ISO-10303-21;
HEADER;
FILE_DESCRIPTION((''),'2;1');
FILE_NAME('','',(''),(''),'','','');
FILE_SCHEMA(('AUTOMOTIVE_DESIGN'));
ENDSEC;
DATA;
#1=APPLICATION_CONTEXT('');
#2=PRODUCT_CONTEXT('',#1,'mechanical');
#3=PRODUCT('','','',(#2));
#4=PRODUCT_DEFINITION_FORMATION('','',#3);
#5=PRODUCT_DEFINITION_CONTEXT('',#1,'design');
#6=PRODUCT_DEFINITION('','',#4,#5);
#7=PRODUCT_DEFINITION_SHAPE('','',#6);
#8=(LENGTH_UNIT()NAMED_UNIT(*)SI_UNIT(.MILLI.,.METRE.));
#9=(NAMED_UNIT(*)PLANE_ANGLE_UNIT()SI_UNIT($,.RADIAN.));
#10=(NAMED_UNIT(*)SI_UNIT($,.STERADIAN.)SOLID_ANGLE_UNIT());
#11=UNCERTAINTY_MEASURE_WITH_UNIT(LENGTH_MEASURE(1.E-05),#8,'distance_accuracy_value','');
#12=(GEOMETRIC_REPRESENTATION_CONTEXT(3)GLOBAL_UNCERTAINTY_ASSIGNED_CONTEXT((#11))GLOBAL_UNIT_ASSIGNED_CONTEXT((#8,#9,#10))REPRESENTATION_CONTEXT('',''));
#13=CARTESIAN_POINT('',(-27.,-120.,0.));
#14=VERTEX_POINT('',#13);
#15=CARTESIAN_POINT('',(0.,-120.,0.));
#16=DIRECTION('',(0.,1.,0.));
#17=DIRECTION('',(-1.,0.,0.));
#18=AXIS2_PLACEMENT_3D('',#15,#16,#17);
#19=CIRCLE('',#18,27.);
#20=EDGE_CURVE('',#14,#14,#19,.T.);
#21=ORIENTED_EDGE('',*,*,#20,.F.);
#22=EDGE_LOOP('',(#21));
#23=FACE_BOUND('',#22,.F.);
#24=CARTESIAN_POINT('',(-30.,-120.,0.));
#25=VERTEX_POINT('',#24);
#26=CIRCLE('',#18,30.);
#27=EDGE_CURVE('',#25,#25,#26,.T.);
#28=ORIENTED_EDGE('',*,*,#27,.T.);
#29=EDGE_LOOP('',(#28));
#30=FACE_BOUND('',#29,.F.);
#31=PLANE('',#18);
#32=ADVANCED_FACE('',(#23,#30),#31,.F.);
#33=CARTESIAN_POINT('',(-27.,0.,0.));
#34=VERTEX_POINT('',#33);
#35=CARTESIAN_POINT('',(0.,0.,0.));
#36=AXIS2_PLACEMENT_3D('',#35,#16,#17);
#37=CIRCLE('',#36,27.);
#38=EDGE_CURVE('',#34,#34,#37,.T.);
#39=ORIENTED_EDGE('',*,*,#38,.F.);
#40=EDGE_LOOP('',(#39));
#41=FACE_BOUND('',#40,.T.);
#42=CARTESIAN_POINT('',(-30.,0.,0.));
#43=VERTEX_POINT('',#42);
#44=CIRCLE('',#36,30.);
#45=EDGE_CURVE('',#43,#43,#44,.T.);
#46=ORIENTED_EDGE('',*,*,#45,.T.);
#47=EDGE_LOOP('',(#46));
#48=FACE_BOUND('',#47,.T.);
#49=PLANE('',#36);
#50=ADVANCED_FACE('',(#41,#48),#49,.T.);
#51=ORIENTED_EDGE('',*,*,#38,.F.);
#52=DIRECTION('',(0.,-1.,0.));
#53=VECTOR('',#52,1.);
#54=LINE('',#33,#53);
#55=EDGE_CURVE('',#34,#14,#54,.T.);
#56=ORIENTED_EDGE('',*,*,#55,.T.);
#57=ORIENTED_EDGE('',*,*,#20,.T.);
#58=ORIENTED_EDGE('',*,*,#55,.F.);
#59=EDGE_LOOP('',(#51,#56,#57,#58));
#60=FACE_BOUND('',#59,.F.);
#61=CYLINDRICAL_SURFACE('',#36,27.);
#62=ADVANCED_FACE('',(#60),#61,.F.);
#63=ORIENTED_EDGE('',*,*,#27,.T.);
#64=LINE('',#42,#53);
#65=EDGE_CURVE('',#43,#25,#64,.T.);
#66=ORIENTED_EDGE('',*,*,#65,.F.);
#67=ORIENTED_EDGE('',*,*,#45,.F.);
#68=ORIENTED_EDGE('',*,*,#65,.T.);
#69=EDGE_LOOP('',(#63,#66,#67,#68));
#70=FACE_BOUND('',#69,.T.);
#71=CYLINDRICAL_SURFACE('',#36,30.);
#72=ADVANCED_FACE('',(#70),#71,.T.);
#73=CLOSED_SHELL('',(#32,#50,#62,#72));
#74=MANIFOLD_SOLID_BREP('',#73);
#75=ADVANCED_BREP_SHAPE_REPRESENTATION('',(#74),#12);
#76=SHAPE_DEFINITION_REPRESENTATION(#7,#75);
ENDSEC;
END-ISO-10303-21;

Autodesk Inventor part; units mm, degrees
ref_plane "YZ Plane" through (0, 0, 0) normal (1, 0, 0) x (0, 1, 0)
ref_plane "XZ Plane" through (0, 0, 0) normal (0, 1, 0) x (-1, 0, 0)
ref_plane "XY Plane" through (0, 0, 0) normal (0, 0, 1) x (1, 0, 0)
sketch "Sketch1" plane through (0, 0, 0) normal (0, 1, 0) x (-1, 0, 0)
  circle A0 centre (0, 0) radius 30
  circle A1 centre (0, 0) radius 27
  dimension "d0" = 60
  dimension "d1" = 3
extrude "Extrusion1" add sketch "Sketch1" against normal blind 120
properties part number "PNS 1733 FDS tube 3_CPY" material "Steel"
